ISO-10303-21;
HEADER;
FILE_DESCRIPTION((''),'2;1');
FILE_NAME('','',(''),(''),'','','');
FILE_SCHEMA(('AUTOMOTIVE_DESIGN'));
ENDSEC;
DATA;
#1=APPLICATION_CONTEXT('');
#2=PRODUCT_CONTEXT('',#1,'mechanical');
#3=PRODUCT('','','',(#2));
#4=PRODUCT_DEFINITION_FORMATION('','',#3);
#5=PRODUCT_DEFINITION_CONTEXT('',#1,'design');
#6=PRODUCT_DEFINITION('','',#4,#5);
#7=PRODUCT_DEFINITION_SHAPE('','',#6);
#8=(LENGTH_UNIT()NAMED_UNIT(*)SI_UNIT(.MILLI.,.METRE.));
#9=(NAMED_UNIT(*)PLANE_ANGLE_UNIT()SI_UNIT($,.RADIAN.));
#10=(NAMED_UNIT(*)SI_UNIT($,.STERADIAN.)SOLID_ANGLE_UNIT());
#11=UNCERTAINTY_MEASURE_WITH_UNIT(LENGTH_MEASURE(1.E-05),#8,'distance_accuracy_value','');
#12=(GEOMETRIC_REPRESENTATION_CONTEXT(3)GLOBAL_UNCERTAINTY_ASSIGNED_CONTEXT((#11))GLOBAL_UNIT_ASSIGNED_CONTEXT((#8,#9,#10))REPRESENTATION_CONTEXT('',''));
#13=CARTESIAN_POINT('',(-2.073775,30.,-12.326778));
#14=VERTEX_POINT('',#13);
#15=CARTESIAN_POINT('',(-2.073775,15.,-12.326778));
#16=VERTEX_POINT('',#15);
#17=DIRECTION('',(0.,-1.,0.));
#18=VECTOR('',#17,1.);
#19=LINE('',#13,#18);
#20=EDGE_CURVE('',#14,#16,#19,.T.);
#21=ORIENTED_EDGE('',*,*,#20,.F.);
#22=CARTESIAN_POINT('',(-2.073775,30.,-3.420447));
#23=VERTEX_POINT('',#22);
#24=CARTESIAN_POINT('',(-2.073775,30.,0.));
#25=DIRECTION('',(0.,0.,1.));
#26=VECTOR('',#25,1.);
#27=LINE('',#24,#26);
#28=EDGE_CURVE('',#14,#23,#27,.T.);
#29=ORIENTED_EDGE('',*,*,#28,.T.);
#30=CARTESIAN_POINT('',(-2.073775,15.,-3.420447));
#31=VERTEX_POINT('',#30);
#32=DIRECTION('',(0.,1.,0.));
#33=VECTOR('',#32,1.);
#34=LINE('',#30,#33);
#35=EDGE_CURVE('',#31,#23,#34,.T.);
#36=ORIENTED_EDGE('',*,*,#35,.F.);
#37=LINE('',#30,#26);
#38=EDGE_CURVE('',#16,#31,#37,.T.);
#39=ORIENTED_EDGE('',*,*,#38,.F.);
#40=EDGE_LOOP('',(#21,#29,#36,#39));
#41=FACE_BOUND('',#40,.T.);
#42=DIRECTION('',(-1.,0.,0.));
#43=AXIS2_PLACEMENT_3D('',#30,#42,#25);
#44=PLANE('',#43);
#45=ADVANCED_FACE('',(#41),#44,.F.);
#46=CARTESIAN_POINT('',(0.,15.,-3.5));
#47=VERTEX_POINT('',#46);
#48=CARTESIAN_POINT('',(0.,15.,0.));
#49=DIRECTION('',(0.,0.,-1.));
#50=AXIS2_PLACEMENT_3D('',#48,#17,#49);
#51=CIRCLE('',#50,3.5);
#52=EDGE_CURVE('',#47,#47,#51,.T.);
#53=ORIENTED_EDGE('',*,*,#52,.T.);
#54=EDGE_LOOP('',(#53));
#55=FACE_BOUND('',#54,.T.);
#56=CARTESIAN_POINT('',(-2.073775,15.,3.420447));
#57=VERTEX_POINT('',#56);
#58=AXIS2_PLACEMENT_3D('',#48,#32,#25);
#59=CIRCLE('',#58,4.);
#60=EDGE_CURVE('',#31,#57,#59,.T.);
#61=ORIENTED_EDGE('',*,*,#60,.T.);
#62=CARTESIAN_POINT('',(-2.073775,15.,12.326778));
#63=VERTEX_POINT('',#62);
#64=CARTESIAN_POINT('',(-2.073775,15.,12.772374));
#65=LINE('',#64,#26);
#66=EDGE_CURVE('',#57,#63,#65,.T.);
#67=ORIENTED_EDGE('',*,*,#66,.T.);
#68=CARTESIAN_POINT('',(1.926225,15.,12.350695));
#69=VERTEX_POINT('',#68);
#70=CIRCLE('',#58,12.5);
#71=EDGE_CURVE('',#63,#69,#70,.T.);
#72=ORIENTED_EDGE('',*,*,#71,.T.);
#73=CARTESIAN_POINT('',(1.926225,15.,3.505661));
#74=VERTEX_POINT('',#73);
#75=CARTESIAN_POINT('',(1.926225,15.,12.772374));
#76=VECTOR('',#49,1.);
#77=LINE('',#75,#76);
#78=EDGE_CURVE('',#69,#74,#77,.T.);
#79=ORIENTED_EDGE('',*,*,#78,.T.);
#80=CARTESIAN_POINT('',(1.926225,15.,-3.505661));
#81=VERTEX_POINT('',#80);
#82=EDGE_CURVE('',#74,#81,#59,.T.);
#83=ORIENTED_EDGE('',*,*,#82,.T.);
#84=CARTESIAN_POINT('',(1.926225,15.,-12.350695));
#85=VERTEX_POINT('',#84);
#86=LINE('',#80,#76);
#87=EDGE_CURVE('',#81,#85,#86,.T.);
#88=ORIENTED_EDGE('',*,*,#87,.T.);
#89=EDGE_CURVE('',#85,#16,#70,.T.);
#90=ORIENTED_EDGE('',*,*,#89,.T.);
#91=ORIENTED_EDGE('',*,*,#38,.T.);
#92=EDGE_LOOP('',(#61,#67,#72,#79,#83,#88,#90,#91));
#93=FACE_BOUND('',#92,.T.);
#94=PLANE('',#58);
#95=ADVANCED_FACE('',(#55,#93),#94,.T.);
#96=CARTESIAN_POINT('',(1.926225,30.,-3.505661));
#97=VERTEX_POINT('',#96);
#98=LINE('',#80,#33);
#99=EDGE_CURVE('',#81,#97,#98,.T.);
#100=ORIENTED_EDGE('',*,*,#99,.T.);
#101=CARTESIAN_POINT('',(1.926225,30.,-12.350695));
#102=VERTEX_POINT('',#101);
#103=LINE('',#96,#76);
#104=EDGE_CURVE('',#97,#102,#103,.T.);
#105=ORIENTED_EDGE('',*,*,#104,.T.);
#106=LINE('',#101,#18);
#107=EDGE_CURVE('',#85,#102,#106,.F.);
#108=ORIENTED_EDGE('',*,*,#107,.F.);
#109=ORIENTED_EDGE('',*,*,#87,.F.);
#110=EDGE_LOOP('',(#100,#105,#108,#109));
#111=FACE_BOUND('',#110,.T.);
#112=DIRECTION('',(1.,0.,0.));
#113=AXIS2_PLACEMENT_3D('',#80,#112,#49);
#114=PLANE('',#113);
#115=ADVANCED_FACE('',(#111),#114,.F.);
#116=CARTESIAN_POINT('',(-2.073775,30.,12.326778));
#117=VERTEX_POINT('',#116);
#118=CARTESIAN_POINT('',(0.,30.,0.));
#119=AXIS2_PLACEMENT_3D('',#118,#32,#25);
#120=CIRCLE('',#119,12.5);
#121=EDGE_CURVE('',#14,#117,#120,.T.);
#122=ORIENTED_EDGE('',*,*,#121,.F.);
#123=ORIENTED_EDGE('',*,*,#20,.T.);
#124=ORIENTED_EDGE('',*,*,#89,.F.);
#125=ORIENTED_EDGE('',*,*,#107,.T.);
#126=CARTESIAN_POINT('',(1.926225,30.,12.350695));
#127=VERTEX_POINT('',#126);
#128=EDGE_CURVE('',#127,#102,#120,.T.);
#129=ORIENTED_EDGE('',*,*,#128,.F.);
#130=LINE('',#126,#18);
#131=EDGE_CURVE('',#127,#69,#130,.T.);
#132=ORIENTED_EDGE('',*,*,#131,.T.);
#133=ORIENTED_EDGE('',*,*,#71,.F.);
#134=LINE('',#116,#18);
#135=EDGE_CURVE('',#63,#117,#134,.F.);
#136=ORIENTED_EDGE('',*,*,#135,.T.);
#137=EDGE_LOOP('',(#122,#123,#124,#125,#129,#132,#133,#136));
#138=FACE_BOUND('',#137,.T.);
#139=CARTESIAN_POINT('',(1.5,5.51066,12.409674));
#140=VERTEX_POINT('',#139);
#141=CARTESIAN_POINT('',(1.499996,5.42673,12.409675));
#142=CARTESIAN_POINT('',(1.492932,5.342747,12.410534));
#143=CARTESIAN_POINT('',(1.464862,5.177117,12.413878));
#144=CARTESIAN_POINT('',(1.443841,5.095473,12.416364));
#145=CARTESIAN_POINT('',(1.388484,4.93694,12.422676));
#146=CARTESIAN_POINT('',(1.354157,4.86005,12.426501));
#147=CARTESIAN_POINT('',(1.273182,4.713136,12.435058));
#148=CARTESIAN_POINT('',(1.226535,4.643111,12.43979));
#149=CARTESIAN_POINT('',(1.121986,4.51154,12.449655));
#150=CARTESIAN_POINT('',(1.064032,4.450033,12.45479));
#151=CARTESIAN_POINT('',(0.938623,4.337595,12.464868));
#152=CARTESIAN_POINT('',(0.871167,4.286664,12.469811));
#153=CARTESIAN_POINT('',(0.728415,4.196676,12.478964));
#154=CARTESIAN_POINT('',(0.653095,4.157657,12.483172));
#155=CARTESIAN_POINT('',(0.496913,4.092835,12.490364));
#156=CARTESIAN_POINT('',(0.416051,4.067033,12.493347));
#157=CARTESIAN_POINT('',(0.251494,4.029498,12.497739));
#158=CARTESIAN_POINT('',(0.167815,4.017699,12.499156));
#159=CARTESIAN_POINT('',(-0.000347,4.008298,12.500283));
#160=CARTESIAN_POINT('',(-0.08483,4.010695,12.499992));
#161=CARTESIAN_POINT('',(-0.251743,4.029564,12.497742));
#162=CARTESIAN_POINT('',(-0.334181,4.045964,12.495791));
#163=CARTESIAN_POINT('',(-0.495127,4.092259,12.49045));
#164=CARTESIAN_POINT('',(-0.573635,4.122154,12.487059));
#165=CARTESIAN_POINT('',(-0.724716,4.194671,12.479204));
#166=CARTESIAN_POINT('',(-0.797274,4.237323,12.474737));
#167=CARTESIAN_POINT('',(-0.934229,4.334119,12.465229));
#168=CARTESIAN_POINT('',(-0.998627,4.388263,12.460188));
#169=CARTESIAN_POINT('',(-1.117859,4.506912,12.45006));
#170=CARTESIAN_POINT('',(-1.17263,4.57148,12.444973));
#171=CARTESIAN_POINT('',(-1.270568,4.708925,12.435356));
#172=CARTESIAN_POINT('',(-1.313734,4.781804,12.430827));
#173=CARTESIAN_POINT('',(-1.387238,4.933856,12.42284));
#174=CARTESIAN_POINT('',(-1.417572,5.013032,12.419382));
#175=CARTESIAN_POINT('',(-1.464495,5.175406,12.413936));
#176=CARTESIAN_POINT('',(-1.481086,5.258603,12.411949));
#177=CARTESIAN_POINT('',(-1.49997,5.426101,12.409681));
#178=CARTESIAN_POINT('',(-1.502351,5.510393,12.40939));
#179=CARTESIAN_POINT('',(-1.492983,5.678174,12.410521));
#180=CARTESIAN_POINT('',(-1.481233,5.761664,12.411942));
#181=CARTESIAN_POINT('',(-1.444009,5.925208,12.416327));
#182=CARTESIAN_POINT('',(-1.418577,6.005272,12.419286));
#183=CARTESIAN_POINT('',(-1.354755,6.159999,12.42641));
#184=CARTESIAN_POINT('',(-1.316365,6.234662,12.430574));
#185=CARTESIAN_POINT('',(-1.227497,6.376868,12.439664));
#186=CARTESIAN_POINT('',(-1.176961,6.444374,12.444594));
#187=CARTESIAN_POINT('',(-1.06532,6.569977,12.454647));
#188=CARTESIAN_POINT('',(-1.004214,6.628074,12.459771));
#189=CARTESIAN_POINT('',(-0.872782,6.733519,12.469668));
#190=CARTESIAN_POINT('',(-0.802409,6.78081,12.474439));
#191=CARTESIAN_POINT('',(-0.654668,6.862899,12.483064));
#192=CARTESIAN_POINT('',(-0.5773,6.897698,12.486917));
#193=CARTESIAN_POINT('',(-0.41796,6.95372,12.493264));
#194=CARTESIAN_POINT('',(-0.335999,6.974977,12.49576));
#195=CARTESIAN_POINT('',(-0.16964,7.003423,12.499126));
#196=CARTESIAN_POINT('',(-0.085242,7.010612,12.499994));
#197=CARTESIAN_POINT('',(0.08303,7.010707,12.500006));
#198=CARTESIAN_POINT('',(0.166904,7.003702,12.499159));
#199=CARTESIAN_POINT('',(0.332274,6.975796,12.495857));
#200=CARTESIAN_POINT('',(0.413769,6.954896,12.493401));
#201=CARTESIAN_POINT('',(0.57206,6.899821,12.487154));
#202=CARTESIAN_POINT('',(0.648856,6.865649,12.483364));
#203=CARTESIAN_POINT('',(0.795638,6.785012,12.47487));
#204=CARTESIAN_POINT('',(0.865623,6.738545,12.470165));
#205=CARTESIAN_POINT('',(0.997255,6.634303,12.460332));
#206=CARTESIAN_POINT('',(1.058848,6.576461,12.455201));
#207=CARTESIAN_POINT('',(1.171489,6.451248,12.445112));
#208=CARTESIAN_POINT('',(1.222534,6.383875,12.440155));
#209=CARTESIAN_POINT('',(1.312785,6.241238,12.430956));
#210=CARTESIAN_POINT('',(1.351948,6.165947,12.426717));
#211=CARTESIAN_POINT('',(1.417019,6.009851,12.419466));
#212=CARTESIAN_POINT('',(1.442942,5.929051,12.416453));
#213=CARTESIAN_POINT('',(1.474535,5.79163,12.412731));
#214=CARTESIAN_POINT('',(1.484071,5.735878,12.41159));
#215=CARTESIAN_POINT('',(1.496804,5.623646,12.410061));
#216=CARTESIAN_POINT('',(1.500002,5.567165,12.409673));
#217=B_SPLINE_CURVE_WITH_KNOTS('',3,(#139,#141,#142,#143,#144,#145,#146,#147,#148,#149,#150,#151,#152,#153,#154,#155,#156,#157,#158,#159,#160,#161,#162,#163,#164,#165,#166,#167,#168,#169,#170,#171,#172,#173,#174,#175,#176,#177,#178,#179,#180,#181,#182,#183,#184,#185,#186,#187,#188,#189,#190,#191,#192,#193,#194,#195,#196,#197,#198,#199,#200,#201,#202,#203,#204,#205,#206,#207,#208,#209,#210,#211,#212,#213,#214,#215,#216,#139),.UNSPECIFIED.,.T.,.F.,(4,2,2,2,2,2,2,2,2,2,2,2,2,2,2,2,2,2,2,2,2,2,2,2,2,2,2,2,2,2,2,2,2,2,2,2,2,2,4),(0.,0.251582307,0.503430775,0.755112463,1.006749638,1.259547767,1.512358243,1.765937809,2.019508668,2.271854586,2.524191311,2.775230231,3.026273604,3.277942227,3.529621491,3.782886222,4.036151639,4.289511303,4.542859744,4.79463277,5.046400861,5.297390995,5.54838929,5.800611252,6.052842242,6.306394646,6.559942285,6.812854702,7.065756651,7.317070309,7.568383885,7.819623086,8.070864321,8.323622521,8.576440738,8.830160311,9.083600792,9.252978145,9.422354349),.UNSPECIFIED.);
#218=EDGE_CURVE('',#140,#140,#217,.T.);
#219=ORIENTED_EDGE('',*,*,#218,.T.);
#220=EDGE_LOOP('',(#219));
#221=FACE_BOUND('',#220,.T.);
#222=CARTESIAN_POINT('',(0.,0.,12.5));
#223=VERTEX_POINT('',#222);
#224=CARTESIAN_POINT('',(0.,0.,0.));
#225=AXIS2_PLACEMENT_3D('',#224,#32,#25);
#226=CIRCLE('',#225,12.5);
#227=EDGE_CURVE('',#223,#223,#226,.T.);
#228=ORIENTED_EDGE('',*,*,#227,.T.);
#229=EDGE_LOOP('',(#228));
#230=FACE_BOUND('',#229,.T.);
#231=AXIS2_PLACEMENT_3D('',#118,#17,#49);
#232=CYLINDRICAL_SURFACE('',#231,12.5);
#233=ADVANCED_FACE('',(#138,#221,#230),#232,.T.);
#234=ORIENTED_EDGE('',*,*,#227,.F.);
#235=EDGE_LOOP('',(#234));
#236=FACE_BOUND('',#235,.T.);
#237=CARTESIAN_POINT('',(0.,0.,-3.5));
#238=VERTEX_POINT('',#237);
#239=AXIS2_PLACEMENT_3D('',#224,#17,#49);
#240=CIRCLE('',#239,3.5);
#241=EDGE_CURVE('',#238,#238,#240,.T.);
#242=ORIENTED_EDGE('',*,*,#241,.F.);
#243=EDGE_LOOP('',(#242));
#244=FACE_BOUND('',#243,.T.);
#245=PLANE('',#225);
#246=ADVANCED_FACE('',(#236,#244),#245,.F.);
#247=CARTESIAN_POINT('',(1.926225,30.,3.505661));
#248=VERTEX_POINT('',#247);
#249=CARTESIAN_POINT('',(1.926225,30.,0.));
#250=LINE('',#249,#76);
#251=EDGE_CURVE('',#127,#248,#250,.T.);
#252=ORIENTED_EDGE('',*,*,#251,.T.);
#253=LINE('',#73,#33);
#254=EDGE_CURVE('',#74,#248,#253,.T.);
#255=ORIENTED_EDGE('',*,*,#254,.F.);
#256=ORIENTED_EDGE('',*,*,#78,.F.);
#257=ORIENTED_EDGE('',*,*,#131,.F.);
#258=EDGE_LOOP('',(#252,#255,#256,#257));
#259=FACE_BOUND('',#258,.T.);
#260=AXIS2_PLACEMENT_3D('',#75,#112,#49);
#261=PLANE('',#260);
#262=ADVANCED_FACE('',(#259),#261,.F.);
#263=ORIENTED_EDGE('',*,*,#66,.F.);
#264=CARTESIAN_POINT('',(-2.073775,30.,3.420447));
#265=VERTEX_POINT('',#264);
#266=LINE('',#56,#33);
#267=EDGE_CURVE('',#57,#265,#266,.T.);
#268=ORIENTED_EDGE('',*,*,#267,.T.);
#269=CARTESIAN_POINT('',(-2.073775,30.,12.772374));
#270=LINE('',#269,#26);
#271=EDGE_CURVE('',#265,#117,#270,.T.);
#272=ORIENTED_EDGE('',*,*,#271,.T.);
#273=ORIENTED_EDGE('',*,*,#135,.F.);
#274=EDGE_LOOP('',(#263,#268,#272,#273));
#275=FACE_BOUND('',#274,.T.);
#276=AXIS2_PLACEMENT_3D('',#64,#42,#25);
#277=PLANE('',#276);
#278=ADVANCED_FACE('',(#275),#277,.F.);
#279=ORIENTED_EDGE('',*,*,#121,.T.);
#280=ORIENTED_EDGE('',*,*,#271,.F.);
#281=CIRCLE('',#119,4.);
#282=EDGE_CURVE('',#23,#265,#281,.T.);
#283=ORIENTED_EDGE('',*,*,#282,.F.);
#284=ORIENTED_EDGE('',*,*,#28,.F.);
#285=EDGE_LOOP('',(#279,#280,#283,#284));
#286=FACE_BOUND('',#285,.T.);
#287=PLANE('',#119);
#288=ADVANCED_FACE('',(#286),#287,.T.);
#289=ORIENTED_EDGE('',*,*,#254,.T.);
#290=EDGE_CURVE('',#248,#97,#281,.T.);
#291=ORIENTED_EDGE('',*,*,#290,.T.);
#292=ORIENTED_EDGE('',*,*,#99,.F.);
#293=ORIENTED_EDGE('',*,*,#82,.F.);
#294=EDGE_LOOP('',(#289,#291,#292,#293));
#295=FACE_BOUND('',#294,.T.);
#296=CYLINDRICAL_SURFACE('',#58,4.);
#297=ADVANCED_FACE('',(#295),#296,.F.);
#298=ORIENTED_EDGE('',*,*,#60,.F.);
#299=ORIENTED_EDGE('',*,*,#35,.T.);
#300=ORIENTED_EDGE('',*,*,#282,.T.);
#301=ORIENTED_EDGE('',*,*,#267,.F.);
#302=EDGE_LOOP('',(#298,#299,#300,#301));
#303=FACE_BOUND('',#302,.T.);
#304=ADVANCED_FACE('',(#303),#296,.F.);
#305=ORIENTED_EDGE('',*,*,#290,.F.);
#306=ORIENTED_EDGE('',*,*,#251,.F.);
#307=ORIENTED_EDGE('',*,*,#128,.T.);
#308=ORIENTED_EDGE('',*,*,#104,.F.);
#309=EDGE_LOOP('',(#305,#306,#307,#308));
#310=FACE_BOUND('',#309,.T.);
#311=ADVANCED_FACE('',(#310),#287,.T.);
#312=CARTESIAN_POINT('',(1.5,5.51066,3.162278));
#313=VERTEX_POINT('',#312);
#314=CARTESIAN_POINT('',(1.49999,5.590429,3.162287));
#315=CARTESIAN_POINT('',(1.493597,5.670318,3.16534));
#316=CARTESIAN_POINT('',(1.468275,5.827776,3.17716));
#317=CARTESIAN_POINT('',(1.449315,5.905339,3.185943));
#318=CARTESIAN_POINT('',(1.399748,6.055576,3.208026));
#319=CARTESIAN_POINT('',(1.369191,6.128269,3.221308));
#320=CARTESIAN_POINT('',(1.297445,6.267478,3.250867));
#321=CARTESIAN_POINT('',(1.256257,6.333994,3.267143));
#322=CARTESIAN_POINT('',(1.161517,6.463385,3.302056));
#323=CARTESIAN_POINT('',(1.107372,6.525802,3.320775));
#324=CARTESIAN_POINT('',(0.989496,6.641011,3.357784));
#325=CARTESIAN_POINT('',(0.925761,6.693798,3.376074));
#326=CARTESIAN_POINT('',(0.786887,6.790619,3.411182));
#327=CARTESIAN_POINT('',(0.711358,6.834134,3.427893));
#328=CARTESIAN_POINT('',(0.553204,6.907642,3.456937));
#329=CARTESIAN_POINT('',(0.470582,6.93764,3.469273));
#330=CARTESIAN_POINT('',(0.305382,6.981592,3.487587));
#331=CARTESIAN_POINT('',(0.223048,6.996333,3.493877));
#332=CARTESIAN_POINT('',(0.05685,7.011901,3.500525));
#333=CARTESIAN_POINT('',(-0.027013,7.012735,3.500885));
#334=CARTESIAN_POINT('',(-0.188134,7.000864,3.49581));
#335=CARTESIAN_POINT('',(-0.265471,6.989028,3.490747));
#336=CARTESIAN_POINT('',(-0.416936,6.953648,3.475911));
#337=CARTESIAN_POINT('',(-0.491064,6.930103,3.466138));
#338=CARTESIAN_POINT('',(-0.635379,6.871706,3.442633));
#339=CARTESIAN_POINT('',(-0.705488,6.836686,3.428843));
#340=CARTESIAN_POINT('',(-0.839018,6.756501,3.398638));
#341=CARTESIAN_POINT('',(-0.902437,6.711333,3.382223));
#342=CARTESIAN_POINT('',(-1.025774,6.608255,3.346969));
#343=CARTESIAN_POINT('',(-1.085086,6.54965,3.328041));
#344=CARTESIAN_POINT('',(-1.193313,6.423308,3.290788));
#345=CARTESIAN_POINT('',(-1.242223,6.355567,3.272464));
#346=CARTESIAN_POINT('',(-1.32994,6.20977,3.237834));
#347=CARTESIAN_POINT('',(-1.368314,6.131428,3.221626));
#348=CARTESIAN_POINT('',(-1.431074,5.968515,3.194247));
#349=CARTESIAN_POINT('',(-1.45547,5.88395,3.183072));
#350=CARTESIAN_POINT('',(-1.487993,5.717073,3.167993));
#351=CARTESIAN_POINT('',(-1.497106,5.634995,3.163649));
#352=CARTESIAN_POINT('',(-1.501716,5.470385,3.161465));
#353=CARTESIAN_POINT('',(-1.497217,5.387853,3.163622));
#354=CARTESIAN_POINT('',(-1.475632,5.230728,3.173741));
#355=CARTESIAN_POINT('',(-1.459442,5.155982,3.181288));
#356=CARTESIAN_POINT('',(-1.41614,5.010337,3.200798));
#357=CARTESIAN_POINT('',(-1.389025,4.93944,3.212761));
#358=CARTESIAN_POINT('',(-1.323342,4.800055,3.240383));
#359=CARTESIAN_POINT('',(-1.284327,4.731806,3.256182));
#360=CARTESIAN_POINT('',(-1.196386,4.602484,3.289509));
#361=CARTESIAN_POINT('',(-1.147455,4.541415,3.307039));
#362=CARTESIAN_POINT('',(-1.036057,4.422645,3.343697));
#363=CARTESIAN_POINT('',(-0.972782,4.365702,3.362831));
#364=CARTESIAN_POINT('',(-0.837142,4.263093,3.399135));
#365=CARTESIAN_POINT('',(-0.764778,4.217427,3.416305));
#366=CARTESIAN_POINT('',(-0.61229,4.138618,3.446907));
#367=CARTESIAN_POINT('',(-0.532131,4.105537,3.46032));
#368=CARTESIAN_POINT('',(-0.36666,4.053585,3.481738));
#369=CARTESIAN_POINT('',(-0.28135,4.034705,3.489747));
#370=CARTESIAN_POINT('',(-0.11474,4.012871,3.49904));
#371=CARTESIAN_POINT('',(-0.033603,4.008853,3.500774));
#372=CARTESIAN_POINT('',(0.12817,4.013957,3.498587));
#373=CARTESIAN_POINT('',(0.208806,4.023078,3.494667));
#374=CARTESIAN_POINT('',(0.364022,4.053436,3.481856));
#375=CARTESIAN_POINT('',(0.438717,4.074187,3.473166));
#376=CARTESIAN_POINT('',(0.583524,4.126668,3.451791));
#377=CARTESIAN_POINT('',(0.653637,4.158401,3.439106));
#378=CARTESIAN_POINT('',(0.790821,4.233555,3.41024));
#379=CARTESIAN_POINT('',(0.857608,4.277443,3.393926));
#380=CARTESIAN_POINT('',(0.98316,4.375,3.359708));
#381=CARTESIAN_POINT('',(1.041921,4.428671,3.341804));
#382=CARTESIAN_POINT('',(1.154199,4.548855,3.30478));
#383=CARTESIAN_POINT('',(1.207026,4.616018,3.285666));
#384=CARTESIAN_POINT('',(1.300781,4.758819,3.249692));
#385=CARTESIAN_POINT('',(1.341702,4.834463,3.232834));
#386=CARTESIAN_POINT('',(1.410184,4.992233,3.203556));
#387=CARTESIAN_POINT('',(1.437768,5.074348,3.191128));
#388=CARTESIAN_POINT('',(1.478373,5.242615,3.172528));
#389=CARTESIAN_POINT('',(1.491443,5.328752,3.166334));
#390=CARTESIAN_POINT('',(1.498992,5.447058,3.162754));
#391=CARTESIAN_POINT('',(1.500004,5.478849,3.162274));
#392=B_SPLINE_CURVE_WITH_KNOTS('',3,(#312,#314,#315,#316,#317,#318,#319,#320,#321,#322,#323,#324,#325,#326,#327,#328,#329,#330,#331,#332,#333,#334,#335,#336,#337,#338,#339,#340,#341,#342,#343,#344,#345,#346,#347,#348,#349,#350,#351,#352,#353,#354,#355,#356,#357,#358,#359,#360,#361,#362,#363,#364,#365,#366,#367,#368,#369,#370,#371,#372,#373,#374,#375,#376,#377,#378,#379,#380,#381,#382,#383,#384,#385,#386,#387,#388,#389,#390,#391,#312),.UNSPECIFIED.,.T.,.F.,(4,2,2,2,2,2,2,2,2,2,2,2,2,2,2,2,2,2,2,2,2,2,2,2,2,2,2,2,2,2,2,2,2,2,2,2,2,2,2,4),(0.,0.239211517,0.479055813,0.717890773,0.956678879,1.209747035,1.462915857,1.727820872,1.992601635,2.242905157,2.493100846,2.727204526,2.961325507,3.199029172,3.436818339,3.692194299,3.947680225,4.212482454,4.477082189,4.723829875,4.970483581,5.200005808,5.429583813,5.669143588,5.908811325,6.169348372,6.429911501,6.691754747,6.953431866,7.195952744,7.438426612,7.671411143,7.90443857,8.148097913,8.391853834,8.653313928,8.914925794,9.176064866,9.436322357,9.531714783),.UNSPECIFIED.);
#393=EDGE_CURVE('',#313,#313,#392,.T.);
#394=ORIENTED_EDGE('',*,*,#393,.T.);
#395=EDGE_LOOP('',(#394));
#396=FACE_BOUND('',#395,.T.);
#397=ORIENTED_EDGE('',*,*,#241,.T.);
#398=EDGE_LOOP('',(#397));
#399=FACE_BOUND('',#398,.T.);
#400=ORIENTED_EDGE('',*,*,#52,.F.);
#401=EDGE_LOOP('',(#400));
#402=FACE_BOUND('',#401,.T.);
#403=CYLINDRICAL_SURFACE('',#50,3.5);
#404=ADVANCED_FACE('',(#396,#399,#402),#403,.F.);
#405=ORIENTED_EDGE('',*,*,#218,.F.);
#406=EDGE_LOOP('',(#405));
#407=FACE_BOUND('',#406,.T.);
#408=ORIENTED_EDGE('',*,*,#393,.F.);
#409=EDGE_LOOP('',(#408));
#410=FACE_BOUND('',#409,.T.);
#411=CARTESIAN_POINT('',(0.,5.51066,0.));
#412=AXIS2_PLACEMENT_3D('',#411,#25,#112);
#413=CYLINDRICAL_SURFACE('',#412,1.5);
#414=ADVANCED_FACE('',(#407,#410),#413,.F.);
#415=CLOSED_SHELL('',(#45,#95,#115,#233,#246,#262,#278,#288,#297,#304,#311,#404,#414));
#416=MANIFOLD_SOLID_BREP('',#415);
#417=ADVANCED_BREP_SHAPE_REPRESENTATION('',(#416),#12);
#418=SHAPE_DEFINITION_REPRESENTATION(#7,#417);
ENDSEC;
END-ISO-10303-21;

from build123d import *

# Parameters (mm, degrees)
CROQUIS1_R              = 12.5
SALIENTE_EXTRUIR1_DEPTH = 30
CORTAR_EXTRUIR1_DEPTH   = 15
CROQUIS3_R              = 3.5
CORTAR_EXTRUIR2_DEPTH   = 15
CROQUIS4_R              = 1.5
CORTAR_EXTRUIR3_DEPTH   = 15


with BuildPart() as part:
    # Croquis1 → Saliente-Extruir1 (new body)
    with BuildSketch(Plane(origin=(0, 0, 0), x_dir=(1, 0, 0), z_dir=(0, 1, 0))):
        with Locations(Location((0, 0, 0), (0, 0, 270))):
            Circle(CROQUIS1_R)
    extrude(amount=SALIENTE_EXTRUIR1_DEPTH)

    # Croquis2 → Cortar-Extruir1 (cut)
    with BuildSketch(Plane(origin=(0, 30, 0), x_dir=(1, 0, 0), z_dir=(0, 1, 0))):
        with BuildLine():
            Line((-2.073774887, 3.420447006), (-2.073774887, 12.856138783))
            Line((-2.073774887, 12.856138783), (1.926225113, 12.856138783))
            Line((1.926225113, 12.856138783), (1.926225113, 3.505660681))
            ThreePointArc((1.926225113, 3.505660681), (4, 0), (1.926225113, -3.505660681))
            Line((1.926225113, -3.505660681), (1.926225113, -12.772374377))
            Line((1.926225113, -12.772374377), (-2.073774887, -12.772374377))
            Line((-2.073774887, -12.772374377), (-2.073774887, -3.420447006))
            ThreePointArc((-2.073774887, -3.420447006), (-4, 0), (-2.073774887, 3.420447006))
        make_face()
    extrude(amount=-CORTAR_EXTRUIR1_DEPTH, mode=Mode.SUBTRACT)

    # Croquis3 → Cortar-Extruir2 (cut)
    with BuildSketch(Plane.XZ):
        with Locations(Location((0, 0, 0), (0, 0, 270))):
            Circle(CROQUIS3_R)
    extrude(amount=-CORTAR_EXTRUIR2_DEPTH, mode=Mode.SUBTRACT)

    # Croquis4 → Cortar-Extruir3 (cut)
    with BuildSketch(Plane.XY.offset(15)):
        with Locations((0, 5.510659623)):
            Circle(CROQUIS4_R)
    extrude(amount=-CORTAR_EXTRUIR3_DEPTH, mode=Mode.SUBTRACT)


solid = part.part
